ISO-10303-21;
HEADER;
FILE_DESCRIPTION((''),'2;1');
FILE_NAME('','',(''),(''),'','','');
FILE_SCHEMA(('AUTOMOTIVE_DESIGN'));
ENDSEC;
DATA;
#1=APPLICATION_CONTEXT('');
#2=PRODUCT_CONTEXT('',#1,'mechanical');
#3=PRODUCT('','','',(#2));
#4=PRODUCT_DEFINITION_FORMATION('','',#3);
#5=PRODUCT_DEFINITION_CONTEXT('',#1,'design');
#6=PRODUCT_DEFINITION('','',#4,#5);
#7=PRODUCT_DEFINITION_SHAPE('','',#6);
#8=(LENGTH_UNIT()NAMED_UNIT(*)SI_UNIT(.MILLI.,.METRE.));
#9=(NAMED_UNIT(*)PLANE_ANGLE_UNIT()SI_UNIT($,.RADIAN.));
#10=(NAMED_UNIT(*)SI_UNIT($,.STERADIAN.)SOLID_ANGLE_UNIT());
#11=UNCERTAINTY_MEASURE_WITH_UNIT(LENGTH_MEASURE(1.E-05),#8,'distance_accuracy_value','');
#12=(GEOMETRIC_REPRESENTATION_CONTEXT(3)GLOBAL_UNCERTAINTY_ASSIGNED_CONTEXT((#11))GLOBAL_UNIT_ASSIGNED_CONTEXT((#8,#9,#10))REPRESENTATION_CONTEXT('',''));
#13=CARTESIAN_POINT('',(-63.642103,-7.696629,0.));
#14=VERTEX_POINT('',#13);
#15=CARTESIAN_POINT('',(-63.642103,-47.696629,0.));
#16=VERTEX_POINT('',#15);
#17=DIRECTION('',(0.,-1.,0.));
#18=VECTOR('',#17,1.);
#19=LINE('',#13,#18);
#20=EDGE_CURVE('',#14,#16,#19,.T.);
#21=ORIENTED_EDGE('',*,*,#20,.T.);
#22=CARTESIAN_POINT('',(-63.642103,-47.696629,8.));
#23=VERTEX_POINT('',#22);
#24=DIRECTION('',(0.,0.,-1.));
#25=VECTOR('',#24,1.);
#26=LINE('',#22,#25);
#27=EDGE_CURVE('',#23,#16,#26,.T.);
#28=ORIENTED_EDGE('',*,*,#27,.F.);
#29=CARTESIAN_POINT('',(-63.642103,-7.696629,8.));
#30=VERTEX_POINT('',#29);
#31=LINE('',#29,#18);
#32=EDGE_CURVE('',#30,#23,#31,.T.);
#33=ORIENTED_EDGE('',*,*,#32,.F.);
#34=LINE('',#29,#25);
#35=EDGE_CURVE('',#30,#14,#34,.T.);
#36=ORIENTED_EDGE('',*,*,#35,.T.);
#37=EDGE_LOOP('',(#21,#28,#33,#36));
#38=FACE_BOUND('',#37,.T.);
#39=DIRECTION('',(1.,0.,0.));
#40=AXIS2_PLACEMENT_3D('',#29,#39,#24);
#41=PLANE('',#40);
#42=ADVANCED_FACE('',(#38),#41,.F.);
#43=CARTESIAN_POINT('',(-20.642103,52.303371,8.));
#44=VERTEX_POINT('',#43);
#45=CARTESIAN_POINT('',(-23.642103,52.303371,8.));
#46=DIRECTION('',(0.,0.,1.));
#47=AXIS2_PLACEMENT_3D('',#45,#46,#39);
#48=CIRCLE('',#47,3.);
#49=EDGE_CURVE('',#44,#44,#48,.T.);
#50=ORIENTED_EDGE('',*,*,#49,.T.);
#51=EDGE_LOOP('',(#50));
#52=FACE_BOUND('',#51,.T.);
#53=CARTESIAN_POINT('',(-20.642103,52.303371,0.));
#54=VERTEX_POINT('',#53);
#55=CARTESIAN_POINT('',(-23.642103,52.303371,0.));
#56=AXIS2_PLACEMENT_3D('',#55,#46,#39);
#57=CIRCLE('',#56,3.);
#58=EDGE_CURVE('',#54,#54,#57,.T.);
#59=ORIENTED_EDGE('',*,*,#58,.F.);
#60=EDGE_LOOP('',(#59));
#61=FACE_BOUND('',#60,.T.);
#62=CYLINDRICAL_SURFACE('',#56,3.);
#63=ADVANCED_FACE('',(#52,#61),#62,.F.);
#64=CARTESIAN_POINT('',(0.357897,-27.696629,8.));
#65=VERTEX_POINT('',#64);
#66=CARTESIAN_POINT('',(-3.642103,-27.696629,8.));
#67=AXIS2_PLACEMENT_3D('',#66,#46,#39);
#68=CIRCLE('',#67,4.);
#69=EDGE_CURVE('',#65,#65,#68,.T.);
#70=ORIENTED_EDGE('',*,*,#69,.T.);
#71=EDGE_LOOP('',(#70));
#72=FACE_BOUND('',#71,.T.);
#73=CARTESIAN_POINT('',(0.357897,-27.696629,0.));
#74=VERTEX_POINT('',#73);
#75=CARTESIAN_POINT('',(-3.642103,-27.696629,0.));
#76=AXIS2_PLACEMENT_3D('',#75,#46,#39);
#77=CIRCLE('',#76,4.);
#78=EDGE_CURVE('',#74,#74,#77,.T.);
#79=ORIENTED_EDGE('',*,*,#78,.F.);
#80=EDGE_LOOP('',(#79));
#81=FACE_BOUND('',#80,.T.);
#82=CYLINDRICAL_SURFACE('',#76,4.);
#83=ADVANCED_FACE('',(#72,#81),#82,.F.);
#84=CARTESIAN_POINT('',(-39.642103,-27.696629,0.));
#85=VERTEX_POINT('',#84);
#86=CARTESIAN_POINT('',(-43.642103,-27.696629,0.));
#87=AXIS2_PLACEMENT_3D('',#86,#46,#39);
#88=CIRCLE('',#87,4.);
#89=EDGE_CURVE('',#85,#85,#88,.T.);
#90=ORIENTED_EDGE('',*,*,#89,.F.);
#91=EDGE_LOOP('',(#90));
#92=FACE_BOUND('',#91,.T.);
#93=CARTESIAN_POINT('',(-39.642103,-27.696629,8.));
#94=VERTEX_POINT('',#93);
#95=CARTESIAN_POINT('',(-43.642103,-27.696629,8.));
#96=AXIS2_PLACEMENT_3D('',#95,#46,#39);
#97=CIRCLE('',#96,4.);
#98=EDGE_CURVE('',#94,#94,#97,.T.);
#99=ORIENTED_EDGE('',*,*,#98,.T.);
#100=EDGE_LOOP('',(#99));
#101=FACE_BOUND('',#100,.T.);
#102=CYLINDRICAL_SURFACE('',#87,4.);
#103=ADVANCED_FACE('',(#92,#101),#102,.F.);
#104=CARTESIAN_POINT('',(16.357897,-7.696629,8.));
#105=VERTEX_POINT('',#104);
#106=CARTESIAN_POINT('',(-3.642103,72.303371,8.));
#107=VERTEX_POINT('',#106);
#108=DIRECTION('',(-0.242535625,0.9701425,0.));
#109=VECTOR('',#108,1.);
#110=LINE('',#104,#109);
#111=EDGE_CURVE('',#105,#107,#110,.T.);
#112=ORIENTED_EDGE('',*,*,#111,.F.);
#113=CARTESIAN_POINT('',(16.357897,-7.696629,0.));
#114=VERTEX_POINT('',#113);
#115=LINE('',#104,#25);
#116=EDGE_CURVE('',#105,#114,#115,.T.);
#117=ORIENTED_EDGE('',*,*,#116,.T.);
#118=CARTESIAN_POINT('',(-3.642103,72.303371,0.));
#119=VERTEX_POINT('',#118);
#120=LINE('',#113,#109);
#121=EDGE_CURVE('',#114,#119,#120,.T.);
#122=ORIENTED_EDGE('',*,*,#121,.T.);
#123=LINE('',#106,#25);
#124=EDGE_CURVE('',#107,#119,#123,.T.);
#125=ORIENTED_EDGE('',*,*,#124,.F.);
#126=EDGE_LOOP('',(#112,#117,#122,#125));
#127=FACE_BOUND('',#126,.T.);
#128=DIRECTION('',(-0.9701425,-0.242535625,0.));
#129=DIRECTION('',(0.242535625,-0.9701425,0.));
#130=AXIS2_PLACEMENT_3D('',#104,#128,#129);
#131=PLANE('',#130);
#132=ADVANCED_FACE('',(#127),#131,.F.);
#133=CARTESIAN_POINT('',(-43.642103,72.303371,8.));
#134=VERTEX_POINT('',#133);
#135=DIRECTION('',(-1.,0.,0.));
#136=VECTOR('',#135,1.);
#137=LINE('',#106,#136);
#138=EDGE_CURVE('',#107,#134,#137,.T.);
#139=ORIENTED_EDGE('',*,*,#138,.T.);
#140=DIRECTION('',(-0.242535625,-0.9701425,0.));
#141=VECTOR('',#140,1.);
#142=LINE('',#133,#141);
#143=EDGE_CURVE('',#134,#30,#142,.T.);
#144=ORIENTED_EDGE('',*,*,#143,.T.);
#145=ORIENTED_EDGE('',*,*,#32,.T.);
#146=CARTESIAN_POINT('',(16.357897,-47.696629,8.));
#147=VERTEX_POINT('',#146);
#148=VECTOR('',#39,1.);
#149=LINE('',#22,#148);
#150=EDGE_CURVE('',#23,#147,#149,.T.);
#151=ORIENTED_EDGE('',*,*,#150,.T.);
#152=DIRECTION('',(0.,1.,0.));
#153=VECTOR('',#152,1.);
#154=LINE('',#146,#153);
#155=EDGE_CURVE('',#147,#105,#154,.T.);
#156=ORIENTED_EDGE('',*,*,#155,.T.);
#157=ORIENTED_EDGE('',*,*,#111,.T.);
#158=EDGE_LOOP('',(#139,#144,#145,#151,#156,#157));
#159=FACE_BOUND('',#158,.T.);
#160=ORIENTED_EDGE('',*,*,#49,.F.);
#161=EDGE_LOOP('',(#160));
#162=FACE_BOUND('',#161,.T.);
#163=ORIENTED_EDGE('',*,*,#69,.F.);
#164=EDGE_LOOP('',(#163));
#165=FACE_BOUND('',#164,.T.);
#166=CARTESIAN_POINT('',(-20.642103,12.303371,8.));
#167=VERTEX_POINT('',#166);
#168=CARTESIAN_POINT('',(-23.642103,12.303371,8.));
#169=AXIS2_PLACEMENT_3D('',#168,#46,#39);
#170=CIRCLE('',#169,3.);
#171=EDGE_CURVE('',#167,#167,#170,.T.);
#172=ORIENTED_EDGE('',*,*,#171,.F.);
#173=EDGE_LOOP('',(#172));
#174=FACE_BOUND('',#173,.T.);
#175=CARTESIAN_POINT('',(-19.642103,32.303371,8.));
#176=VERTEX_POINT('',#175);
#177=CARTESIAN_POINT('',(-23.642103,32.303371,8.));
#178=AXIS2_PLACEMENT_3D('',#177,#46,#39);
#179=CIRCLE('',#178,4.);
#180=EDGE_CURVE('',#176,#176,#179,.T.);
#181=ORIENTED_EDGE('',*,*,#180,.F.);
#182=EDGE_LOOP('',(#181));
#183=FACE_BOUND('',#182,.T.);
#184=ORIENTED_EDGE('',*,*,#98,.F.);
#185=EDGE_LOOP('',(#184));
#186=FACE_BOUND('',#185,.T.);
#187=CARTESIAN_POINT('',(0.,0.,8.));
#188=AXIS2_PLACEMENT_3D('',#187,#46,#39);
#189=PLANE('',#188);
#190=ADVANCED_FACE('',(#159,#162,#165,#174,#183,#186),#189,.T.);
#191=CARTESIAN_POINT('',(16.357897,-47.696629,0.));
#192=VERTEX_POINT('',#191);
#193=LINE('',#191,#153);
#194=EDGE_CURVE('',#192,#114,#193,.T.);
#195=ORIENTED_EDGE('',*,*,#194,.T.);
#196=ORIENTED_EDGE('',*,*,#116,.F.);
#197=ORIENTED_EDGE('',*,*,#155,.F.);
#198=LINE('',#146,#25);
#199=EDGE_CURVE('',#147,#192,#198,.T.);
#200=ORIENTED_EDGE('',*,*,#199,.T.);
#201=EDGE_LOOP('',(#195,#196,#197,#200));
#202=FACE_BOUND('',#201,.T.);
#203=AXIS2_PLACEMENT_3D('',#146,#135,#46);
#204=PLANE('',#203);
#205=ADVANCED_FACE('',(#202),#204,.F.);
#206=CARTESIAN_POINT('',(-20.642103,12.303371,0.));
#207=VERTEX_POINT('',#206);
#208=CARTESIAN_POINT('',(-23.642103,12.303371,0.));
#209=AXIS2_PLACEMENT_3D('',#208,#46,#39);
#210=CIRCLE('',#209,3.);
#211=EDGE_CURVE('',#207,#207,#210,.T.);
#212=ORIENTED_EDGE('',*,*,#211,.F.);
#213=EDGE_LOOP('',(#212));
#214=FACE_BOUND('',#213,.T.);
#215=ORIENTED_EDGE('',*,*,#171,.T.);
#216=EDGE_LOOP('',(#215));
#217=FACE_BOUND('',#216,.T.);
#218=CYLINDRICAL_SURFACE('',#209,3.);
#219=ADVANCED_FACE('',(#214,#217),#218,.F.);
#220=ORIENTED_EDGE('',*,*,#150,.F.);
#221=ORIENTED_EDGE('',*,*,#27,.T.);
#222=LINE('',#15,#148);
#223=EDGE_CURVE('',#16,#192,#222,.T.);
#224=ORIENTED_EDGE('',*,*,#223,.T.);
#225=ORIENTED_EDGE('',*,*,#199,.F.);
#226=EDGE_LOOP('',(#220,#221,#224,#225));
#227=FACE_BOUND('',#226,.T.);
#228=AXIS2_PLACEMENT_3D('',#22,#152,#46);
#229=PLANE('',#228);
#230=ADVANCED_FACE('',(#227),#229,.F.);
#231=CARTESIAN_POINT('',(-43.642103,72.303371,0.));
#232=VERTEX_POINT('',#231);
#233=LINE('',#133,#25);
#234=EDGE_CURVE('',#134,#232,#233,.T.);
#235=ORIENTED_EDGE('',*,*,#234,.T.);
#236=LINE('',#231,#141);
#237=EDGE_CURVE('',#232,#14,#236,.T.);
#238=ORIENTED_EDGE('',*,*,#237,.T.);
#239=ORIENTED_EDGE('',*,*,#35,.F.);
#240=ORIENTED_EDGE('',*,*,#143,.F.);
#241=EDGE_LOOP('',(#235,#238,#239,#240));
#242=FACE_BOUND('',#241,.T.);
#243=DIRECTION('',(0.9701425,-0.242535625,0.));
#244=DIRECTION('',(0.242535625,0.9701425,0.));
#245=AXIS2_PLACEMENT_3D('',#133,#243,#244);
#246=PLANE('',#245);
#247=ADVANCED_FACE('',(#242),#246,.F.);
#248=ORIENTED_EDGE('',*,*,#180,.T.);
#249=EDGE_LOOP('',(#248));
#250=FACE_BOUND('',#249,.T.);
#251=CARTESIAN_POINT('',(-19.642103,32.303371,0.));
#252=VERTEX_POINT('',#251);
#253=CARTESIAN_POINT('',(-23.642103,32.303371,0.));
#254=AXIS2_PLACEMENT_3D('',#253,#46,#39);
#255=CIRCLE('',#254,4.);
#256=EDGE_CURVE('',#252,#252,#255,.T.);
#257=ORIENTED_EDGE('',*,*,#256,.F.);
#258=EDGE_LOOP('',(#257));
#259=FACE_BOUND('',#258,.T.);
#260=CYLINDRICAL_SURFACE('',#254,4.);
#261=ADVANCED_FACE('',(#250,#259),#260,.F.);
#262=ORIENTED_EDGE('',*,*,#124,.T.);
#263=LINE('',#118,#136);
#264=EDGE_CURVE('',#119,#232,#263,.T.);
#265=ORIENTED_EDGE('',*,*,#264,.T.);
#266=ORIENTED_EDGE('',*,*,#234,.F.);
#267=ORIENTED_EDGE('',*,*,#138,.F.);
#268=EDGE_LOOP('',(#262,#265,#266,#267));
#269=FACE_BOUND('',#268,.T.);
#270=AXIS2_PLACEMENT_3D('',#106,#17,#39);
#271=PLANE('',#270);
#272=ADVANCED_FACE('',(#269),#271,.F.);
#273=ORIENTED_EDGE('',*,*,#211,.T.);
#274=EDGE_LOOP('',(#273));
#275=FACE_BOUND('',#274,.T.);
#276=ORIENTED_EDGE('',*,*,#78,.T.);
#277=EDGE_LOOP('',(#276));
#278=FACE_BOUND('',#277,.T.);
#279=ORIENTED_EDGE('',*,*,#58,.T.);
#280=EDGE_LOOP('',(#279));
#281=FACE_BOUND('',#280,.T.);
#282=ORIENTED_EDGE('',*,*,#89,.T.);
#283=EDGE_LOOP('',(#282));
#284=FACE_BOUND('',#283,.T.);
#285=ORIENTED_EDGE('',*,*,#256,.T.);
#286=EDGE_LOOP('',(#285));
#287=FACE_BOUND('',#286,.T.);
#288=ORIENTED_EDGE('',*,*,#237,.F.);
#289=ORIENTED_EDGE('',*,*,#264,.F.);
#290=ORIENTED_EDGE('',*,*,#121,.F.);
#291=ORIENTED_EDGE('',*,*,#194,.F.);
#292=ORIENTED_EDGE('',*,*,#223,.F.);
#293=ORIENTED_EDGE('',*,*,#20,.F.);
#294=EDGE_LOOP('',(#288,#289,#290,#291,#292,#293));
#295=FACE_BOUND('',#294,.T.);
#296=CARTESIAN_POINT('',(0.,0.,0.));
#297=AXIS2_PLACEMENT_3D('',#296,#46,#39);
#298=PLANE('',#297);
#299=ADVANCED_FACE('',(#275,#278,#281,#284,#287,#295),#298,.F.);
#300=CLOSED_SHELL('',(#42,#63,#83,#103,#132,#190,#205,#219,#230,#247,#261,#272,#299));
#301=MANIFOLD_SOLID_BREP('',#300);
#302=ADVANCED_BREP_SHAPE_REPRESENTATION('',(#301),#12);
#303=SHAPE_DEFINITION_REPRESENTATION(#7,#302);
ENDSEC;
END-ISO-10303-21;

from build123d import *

# Parameters (mm, degrees)
BOSS_EXTRU_1_DEPTH      = 8
ESQUISSE2_R             = 3
ESQUISSE2_R_2           = 4
ENL_V_MAT_EXTRU_1_DEPTH = 9


with BuildPart() as part:
    # Esquisse1 → Boss.-Extru.1 (new body)
    with BuildSketch(Plane.XY):
        Polygon((-63.642103329, -47.696629213), (16.357896671, -47.696629213), (16.357896671, -7.696629213), (-3.642103329, 72.303370787), (-43.642103329, 72.303370787), (-63.642103329, -7.696629213), align=None)
    extrude(amount=BOSS_EXTRU_1_DEPTH)

    # Esquisse2 → Enlèv. mat.-Extru.1 (cut, through all)
    with BuildSketch(Plane.XY.offset(8)):
        with Locations((-23.642103329, 52.303370787)):
            Circle(ESQUISSE2_R)
        with Locations((-23.642103329, 32.303370787)):
            Circle(ESQUISSE2_R_2)
        with Locations((-23.642103329, 12.303370787)):
            Circle(ESQUISSE2_R)
        with Locations((-43.642103329, -27.696629213)):
            Circle(ESQUISSE2_R_2)
        with Locations((-3.642103329, -27.696629213)):
            Circle(ESQUISSE2_R_2)
    extrude(amount=-ENL_V_MAT_EXTRU_1_DEPTH, mode=Mode.SUBTRACT)


solid = part.part
